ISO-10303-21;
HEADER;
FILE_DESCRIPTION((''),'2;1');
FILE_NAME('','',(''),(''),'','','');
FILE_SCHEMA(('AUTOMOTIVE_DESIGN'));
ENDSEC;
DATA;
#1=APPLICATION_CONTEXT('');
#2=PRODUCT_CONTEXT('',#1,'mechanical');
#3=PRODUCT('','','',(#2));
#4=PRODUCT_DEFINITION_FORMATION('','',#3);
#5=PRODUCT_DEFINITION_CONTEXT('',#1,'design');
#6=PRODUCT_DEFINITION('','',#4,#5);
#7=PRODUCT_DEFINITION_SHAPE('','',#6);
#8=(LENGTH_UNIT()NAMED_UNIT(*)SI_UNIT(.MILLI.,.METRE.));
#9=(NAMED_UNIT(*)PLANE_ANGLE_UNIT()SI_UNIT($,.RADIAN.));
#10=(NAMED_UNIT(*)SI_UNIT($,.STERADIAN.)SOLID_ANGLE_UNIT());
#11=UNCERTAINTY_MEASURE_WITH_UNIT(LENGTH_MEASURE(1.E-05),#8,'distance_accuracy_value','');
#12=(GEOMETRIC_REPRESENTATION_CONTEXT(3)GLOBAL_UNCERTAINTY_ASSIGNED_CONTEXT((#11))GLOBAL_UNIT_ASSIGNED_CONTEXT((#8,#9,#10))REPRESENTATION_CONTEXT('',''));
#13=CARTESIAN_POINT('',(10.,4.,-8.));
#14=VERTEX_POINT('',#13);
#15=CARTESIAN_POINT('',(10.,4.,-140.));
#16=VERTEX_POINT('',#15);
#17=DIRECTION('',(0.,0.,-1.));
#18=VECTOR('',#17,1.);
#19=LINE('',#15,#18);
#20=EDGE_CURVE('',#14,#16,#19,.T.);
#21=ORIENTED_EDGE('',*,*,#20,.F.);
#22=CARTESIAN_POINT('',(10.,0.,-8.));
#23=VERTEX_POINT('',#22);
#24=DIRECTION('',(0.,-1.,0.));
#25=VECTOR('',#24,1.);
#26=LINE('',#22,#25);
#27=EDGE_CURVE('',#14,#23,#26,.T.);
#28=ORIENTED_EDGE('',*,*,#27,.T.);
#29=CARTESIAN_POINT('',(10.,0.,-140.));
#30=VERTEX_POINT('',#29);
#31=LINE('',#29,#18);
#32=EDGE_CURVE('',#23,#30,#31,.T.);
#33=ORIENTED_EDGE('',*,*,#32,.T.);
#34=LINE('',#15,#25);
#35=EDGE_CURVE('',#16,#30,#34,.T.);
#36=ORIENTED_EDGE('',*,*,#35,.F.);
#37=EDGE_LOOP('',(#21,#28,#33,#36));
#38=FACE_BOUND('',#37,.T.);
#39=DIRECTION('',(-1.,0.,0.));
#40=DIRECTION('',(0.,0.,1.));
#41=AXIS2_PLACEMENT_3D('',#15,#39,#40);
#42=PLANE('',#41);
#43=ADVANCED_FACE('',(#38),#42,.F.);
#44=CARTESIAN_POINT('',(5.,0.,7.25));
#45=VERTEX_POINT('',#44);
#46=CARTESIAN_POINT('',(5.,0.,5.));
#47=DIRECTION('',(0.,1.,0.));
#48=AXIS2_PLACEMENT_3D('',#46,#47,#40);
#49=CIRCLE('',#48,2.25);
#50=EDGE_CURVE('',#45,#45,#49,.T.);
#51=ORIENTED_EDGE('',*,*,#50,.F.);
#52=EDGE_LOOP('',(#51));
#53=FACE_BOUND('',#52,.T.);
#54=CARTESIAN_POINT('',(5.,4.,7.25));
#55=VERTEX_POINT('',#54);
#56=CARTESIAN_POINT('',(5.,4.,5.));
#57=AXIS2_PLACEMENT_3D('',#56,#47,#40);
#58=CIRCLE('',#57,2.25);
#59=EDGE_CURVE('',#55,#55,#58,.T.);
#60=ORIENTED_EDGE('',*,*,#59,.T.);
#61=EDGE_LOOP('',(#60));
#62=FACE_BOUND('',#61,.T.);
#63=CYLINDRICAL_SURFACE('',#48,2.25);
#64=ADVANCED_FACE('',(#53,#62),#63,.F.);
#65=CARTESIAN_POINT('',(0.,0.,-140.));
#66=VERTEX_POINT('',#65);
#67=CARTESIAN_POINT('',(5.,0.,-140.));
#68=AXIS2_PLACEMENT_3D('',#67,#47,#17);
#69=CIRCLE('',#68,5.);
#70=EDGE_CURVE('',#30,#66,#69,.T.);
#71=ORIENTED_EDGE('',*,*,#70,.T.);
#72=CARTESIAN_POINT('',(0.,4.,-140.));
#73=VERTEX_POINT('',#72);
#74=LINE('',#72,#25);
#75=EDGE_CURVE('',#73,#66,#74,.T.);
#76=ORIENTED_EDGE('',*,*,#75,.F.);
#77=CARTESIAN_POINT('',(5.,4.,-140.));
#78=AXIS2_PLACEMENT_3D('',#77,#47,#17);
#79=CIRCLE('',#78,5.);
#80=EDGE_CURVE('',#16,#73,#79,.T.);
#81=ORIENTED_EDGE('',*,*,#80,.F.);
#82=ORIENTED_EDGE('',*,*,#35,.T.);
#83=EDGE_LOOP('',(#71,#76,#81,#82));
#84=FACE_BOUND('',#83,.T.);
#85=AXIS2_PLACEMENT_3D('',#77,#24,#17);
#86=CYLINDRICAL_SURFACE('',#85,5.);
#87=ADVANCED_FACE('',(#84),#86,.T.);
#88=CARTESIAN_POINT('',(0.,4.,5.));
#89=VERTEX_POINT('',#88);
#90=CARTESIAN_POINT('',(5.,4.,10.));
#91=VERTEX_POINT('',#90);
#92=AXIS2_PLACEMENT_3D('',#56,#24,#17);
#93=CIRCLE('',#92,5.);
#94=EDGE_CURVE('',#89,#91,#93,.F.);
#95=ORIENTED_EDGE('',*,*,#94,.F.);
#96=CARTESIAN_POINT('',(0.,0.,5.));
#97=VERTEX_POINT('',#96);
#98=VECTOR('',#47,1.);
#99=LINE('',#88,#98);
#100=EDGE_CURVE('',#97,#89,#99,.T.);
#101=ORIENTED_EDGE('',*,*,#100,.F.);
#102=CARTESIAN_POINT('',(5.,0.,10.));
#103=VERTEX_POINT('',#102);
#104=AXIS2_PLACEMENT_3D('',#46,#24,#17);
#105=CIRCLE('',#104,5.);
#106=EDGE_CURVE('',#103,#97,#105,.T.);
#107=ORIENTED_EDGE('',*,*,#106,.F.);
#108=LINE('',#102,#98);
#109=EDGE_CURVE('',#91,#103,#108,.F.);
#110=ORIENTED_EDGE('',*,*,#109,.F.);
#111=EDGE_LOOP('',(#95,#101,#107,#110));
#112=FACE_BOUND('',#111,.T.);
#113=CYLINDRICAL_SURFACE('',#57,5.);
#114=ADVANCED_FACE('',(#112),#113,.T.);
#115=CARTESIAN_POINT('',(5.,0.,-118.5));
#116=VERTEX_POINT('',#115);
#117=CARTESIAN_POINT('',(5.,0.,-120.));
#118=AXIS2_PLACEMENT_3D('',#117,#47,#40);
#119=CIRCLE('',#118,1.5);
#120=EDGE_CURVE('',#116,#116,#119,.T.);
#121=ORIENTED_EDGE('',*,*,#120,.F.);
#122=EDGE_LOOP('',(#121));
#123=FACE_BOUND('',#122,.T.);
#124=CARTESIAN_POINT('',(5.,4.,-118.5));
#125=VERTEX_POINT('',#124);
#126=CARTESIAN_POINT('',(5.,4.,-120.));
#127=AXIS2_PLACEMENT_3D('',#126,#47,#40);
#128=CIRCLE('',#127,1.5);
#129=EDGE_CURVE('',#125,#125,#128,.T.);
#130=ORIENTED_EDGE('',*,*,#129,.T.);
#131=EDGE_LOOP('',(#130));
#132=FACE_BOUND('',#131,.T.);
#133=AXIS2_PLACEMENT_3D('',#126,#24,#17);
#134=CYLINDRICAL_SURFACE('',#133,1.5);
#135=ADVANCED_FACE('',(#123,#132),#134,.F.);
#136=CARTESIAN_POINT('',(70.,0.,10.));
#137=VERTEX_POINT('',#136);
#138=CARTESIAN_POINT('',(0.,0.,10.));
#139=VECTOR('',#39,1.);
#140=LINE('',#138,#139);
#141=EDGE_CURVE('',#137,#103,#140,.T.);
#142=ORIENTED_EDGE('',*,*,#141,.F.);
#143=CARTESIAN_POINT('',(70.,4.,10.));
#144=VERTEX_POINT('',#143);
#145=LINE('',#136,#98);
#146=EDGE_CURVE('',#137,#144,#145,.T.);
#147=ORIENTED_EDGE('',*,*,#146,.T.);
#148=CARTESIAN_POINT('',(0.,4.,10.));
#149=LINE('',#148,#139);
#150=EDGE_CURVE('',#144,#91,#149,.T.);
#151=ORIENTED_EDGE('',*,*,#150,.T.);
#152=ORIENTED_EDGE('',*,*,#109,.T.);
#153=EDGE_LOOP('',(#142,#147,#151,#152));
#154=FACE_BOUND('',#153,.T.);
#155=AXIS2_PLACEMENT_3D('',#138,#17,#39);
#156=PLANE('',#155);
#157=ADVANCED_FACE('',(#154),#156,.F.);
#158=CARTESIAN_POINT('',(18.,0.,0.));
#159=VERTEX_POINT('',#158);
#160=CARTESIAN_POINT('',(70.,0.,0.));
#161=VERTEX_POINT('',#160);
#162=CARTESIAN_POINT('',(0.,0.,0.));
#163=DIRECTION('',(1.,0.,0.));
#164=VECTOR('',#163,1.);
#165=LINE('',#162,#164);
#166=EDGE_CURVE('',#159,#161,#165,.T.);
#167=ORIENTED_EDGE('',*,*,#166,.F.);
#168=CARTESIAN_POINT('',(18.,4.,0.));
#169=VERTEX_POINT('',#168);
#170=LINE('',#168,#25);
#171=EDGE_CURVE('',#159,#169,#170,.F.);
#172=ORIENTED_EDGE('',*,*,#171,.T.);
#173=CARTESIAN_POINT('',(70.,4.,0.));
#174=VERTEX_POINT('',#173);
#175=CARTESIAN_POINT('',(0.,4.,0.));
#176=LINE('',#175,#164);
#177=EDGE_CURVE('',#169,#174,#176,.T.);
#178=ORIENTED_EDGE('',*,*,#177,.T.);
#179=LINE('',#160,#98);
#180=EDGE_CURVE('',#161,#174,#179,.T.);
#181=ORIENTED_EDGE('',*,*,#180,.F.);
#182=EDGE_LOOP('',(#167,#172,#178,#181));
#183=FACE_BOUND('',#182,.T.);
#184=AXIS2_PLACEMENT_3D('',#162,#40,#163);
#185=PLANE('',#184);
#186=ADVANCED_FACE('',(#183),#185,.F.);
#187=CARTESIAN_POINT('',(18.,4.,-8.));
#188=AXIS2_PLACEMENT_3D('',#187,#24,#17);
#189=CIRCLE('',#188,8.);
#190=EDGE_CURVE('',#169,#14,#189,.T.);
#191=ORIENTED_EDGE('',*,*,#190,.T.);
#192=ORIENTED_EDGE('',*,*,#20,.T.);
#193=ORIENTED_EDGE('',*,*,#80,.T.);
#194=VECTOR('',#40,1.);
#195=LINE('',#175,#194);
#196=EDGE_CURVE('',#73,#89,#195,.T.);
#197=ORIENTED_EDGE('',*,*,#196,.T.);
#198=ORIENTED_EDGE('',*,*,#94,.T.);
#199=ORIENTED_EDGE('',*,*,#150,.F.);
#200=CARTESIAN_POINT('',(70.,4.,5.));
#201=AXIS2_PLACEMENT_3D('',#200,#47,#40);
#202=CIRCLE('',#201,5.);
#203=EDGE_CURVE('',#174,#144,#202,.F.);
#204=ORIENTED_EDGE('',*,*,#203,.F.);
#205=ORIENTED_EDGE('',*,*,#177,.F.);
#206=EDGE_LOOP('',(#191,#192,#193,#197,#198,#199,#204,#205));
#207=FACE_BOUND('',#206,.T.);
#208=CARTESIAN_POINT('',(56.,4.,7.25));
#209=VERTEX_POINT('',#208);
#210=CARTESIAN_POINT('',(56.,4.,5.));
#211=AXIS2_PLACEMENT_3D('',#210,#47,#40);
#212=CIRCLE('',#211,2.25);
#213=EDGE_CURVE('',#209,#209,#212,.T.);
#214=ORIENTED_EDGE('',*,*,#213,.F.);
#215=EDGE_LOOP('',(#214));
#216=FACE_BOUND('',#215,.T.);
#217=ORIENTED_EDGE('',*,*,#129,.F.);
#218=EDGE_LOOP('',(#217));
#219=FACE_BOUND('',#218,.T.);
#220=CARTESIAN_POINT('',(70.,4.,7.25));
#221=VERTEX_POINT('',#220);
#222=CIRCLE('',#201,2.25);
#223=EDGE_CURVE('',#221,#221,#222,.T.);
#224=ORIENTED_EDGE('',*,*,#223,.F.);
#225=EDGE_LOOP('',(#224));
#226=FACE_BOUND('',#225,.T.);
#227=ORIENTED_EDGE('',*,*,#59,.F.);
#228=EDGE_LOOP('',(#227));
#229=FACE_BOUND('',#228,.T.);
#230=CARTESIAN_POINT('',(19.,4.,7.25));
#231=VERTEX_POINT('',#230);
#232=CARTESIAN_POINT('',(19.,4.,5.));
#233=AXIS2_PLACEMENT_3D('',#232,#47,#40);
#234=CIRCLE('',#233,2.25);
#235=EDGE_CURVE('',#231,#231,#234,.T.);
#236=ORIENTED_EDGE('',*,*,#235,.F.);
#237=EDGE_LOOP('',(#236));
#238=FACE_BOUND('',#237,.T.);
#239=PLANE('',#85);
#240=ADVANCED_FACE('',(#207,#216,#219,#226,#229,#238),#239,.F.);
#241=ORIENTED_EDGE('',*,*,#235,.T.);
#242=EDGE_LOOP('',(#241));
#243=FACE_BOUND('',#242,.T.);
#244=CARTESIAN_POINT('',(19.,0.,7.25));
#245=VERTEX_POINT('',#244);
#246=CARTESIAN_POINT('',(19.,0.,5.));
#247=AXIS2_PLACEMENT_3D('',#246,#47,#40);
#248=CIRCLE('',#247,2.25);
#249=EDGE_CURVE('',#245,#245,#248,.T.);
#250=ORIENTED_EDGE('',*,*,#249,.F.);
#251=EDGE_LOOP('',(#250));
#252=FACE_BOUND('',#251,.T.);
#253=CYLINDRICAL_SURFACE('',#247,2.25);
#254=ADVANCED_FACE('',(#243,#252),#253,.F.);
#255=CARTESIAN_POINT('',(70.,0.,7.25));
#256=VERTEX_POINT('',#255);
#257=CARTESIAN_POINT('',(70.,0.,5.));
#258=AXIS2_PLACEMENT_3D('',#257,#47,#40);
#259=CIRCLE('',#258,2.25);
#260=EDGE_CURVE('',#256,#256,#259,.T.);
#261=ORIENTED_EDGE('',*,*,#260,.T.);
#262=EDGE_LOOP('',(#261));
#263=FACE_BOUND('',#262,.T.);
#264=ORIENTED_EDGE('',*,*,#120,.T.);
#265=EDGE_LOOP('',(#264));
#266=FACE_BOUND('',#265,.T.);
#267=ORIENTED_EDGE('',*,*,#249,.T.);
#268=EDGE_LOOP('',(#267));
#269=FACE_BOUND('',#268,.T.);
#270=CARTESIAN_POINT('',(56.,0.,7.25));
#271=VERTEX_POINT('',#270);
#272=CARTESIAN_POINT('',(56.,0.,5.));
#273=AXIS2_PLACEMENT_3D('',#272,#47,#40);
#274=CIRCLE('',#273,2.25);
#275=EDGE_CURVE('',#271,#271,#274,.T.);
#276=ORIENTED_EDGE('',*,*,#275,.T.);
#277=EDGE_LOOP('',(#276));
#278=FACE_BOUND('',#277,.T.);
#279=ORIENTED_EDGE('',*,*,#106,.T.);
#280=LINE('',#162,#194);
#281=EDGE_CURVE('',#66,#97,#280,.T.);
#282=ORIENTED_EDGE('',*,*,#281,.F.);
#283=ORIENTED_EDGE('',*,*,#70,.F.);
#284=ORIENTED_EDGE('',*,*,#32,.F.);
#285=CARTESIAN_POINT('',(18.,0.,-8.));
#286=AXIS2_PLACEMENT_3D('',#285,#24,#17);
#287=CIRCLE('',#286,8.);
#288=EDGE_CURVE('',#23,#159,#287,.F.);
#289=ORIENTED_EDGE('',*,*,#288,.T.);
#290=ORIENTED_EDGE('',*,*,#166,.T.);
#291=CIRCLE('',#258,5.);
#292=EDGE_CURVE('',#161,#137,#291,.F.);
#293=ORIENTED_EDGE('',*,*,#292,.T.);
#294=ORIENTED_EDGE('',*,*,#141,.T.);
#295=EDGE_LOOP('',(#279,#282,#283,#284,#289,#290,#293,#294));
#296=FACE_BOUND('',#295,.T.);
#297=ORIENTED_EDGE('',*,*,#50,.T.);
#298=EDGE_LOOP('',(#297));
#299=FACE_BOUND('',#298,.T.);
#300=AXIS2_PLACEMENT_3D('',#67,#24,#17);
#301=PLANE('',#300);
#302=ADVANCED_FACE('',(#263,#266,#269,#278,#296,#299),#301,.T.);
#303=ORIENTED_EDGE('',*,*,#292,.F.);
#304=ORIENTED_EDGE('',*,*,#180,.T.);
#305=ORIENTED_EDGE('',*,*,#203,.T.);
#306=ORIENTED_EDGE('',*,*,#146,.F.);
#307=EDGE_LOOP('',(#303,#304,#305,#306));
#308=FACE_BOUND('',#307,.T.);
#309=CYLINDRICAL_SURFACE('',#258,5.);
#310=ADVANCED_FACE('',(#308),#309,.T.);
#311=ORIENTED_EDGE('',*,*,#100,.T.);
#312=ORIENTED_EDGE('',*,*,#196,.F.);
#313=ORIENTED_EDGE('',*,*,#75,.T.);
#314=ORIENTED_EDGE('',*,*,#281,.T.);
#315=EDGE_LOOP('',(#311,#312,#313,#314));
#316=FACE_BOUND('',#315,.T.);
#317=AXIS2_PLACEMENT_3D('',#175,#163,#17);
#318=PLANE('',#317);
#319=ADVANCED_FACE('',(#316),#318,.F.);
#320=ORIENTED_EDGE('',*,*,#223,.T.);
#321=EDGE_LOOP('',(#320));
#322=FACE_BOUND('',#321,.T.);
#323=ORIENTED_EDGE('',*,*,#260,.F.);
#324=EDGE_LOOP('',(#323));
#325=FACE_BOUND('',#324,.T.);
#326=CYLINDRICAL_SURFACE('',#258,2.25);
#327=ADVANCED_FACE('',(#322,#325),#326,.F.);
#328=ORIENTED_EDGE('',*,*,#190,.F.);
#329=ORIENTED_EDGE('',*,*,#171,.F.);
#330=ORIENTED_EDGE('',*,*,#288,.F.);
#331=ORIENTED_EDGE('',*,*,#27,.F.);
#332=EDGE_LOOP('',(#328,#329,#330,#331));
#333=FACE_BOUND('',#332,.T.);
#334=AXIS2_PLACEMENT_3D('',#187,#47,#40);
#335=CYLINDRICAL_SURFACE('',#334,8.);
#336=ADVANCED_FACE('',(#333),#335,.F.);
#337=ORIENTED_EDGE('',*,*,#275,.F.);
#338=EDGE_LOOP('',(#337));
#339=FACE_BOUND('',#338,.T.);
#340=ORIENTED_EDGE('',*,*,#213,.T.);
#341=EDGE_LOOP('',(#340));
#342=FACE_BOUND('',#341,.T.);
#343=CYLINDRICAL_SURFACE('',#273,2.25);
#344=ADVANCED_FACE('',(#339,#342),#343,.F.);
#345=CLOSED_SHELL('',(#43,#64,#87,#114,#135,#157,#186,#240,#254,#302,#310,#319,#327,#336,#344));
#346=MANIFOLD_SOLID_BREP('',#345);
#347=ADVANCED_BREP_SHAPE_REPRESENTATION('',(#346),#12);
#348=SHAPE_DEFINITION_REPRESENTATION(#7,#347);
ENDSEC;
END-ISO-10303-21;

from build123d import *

# Parameters (mm, degrees)
SKETCH1_R           = 1.5
BOSS_EXTRUDE1_DEPTH = 4
SKETCH2_R           = 2.25
BOSS_EXTRUDE2_DEPTH = 4
FILLET1_R           = 8
FILLET2_R           = 5


with BuildPart() as part:
    # Sketch1 → Boss-Extrude1 (new body)
    with BuildSketch(Plane(origin=(0, 0, 0), x_dir=(1, 0, 0), z_dir=(0, 1, 0))):
        with BuildLine():
            Line((10, 140), (10, 0))
            Line((10, 0), (0, 0))
            Line((0, 0), (0, 140))
            ThreePointArc((0, 140), (5, 145), (10, 140))
        make_face()
        with Locations((5, 120)):
            Circle(SKETCH1_R, mode=Mode.SUBTRACT)
    extrude(amount=BOSS_EXTRUDE1_DEPTH)

    # Sketch2 → Boss-Extrude2 (add)
    with BuildSketch(Plane(origin=(0, 4, 0), x_dir=(1, 0, 0), z_dir=(0, 1, 0))):
        with BuildLine():
            Line((70, 0), (10, 0))
            Line((10, 0), (0, 0))
            Line((0, 0), (0, -10))
            Line((0, -10), (70, -10))
            ThreePointArc((70, -10), (75, -5), (70, 0))
        make_face()
        with Locations((5, -5)):
            Circle(SKETCH2_R, mode=Mode.SUBTRACT)
        with Locations((19, -5)):
            Circle(SKETCH2_R, mode=Mode.SUBTRACT)
        with Locations((56, -5)):
            Circle(SKETCH2_R, mode=Mode.SUBTRACT)
        with Locations((70, -5)):
            Circle(SKETCH2_R, mode=Mode.SUBTRACT)
    extrude(amount=-BOSS_EXTRUDE2_DEPTH)

    # Fillet1
    fillet1_edges = [part.edges().sort_by_distance(p)[0] for p in [
        (10, 2, 0),
    ]]
    fillet(fillet1_edges, radius=FILLET1_R)

    # Fillet2
    fillet2_edges = [part.edges().sort_by_distance(p)[0] for p in [
        (0, 2, 10),
    ]]
    fillet(fillet2_edges, radius=FILLET2_R)


solid = part.part
